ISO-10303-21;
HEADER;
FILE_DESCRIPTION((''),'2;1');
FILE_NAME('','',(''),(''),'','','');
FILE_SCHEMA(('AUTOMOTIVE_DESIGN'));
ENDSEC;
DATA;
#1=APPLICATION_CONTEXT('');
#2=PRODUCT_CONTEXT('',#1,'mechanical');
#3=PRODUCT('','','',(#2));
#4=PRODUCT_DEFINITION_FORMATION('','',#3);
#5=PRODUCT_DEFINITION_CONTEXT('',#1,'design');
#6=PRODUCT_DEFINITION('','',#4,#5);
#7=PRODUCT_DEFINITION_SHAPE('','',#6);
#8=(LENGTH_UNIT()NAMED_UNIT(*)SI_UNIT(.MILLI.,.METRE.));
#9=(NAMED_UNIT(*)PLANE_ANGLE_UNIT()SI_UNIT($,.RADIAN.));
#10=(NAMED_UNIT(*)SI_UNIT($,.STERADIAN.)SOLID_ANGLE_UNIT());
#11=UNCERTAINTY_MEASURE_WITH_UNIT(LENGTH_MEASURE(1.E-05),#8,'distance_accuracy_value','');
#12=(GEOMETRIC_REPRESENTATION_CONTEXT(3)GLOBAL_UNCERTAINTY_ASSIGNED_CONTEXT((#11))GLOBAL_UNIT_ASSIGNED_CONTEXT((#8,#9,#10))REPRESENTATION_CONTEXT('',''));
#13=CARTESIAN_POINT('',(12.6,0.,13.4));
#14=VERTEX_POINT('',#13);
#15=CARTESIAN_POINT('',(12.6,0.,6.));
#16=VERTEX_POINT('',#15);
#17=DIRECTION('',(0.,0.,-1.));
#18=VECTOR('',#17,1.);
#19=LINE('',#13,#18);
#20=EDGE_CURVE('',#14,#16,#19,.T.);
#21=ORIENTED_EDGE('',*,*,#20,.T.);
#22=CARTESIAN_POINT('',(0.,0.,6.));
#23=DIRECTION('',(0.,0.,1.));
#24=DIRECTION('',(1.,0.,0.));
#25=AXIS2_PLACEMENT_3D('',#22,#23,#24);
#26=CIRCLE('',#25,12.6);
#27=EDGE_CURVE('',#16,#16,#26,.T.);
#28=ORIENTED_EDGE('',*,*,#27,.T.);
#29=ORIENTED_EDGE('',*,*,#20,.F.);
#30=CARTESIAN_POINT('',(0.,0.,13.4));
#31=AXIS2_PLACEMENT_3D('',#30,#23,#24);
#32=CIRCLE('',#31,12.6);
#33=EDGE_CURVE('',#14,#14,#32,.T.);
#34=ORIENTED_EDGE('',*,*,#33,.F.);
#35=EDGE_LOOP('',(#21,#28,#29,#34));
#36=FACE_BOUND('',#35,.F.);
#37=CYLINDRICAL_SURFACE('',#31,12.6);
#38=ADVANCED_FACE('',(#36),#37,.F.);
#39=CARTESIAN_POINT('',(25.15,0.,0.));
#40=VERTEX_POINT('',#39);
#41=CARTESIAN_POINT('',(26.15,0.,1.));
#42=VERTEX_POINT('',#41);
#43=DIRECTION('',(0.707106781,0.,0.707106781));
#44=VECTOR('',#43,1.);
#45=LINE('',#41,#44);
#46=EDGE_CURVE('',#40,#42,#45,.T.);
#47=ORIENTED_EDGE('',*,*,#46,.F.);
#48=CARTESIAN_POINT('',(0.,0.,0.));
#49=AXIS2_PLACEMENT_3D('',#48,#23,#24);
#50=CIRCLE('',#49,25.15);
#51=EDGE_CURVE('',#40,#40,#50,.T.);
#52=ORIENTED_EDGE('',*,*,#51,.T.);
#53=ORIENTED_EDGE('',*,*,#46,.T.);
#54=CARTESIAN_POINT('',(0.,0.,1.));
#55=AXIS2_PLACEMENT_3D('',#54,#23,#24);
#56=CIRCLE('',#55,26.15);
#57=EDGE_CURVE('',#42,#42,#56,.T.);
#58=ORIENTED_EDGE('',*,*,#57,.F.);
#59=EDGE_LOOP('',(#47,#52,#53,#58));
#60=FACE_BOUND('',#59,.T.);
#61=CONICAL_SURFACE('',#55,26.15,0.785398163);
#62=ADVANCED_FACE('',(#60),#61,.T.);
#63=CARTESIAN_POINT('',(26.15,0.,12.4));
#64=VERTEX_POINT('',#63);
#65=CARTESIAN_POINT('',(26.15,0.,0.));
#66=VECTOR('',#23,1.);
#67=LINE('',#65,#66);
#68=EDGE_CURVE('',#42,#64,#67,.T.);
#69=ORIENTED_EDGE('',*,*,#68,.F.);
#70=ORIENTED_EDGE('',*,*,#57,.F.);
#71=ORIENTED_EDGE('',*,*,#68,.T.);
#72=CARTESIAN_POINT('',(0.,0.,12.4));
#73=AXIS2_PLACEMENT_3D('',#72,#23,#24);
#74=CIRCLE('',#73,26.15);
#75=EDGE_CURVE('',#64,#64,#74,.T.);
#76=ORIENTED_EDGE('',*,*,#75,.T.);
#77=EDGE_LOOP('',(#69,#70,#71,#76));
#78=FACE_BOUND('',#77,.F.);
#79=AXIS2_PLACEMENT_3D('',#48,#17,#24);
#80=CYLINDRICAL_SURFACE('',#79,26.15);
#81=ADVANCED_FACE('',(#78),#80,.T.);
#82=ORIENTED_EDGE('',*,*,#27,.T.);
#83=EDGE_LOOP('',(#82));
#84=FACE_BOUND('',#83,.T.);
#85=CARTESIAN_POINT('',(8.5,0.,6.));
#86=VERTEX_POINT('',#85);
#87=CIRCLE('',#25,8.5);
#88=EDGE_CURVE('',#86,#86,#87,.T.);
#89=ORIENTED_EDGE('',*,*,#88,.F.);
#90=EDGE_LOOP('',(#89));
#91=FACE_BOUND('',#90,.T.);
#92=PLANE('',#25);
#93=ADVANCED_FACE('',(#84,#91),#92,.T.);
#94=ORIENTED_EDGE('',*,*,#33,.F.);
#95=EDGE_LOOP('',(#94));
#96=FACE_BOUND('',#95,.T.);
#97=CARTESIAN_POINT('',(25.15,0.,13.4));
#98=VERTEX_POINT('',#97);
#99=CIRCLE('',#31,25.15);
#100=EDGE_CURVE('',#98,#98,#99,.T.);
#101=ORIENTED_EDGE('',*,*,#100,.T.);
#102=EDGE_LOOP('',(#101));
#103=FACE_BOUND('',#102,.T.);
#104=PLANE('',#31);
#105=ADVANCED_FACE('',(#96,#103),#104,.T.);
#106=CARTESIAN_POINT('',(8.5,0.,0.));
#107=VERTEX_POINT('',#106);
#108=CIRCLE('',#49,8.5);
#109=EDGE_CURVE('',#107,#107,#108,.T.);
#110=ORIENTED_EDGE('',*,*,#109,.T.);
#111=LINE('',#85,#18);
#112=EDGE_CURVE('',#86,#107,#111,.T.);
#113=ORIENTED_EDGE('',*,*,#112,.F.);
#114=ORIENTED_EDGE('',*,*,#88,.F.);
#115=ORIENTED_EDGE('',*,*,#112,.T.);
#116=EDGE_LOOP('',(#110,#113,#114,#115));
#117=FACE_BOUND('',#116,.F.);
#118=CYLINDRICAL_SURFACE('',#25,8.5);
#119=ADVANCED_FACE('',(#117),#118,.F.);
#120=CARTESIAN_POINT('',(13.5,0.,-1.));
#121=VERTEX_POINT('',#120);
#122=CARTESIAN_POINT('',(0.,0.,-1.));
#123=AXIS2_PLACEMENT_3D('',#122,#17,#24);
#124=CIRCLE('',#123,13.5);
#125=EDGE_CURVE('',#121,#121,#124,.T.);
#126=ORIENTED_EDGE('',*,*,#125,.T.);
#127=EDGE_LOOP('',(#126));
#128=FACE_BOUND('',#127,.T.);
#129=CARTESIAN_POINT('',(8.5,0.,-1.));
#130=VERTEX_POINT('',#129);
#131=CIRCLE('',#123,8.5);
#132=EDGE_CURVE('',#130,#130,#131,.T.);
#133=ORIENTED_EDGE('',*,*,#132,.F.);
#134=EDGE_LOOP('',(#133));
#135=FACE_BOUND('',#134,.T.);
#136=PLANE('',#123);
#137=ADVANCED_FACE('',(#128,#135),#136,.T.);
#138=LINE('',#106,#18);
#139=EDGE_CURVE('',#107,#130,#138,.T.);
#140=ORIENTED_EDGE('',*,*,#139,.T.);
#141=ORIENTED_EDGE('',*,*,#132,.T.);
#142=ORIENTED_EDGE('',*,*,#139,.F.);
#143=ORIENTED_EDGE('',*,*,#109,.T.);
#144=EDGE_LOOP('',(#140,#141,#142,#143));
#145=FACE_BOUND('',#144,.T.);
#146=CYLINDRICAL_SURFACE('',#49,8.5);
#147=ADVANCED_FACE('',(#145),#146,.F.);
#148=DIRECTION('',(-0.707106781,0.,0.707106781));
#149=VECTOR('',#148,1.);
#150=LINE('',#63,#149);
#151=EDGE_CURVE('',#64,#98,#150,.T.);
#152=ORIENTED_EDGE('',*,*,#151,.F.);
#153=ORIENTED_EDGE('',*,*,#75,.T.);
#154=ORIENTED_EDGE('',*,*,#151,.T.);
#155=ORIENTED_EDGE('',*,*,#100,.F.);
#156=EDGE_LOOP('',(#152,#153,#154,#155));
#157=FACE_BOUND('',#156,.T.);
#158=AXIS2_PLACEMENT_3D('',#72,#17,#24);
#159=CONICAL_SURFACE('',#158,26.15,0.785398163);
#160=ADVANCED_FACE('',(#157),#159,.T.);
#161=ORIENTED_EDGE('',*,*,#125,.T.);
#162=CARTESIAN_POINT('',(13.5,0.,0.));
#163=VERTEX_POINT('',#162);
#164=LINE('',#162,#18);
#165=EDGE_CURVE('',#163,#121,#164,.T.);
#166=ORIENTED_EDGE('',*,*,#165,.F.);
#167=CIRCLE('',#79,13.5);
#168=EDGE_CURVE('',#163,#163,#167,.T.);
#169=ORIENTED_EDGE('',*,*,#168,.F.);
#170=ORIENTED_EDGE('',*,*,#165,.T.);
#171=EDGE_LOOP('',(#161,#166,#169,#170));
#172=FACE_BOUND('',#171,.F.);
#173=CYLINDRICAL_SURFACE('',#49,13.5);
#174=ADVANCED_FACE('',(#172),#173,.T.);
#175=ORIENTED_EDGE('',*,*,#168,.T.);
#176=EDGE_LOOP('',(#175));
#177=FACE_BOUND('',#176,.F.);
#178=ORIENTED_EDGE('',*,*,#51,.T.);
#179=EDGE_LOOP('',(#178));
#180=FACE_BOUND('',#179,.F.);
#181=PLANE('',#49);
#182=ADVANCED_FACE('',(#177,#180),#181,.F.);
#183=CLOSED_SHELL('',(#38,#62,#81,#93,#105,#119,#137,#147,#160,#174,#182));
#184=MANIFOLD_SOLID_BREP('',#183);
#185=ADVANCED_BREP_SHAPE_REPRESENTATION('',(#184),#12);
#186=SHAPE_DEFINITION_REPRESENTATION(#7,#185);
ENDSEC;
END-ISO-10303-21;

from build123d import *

# Parameters (mm, degrees)
F0_R     = 26.15
F1_DEPTH = 13.4
F2_R     = 12.6
F3_DEPTH = 7.4
F4_R     = 8.5
F5_DEPTH = 6
F6_R     = 13.5
F6_R_2   = 8.5
F7_DEPTH = 1
F8_SIZE  = 1


with BuildPart() as f1:
    # F0 (on Top) → F1 (new body)
    with BuildSketch(Plane.XY):
        Circle(F0_R)
    extrude(amount=F1_DEPTH)

    # F2 (on face) → F3 (cut)
    with BuildSketch(Plane.XY.offset(13.4)):
        Circle(F2_R)
    extrude(amount=-F3_DEPTH, mode=Mode.SUBTRACT)

    # F4 (on face) → F5 (cut, through all)
    with BuildSketch(Plane.XY.offset(6)):
        Circle(F4_R)
    extrude(amount=-F5_DEPTH, mode=Mode.SUBTRACT)

    # F6 (on face) → F7 (join)
    with BuildSketch(Plane(origin=(0, 0, 0), x_dir=(1, 0, 0), z_dir=(0, 0, -1))):
        Circle(F6_R)
        Circle(F6_R_2, mode=Mode.SUBTRACT)
    extrude(amount=F7_DEPTH)

    # F8
    f8_edges = [f1.edges().sort_by_distance(p)[0] for p in [
        (-26.15, 0, 13.4),
        (-26.15, 0, 0),
    ]]
    chamfer(f8_edges, length=F8_SIZE)


solid = f1.part
